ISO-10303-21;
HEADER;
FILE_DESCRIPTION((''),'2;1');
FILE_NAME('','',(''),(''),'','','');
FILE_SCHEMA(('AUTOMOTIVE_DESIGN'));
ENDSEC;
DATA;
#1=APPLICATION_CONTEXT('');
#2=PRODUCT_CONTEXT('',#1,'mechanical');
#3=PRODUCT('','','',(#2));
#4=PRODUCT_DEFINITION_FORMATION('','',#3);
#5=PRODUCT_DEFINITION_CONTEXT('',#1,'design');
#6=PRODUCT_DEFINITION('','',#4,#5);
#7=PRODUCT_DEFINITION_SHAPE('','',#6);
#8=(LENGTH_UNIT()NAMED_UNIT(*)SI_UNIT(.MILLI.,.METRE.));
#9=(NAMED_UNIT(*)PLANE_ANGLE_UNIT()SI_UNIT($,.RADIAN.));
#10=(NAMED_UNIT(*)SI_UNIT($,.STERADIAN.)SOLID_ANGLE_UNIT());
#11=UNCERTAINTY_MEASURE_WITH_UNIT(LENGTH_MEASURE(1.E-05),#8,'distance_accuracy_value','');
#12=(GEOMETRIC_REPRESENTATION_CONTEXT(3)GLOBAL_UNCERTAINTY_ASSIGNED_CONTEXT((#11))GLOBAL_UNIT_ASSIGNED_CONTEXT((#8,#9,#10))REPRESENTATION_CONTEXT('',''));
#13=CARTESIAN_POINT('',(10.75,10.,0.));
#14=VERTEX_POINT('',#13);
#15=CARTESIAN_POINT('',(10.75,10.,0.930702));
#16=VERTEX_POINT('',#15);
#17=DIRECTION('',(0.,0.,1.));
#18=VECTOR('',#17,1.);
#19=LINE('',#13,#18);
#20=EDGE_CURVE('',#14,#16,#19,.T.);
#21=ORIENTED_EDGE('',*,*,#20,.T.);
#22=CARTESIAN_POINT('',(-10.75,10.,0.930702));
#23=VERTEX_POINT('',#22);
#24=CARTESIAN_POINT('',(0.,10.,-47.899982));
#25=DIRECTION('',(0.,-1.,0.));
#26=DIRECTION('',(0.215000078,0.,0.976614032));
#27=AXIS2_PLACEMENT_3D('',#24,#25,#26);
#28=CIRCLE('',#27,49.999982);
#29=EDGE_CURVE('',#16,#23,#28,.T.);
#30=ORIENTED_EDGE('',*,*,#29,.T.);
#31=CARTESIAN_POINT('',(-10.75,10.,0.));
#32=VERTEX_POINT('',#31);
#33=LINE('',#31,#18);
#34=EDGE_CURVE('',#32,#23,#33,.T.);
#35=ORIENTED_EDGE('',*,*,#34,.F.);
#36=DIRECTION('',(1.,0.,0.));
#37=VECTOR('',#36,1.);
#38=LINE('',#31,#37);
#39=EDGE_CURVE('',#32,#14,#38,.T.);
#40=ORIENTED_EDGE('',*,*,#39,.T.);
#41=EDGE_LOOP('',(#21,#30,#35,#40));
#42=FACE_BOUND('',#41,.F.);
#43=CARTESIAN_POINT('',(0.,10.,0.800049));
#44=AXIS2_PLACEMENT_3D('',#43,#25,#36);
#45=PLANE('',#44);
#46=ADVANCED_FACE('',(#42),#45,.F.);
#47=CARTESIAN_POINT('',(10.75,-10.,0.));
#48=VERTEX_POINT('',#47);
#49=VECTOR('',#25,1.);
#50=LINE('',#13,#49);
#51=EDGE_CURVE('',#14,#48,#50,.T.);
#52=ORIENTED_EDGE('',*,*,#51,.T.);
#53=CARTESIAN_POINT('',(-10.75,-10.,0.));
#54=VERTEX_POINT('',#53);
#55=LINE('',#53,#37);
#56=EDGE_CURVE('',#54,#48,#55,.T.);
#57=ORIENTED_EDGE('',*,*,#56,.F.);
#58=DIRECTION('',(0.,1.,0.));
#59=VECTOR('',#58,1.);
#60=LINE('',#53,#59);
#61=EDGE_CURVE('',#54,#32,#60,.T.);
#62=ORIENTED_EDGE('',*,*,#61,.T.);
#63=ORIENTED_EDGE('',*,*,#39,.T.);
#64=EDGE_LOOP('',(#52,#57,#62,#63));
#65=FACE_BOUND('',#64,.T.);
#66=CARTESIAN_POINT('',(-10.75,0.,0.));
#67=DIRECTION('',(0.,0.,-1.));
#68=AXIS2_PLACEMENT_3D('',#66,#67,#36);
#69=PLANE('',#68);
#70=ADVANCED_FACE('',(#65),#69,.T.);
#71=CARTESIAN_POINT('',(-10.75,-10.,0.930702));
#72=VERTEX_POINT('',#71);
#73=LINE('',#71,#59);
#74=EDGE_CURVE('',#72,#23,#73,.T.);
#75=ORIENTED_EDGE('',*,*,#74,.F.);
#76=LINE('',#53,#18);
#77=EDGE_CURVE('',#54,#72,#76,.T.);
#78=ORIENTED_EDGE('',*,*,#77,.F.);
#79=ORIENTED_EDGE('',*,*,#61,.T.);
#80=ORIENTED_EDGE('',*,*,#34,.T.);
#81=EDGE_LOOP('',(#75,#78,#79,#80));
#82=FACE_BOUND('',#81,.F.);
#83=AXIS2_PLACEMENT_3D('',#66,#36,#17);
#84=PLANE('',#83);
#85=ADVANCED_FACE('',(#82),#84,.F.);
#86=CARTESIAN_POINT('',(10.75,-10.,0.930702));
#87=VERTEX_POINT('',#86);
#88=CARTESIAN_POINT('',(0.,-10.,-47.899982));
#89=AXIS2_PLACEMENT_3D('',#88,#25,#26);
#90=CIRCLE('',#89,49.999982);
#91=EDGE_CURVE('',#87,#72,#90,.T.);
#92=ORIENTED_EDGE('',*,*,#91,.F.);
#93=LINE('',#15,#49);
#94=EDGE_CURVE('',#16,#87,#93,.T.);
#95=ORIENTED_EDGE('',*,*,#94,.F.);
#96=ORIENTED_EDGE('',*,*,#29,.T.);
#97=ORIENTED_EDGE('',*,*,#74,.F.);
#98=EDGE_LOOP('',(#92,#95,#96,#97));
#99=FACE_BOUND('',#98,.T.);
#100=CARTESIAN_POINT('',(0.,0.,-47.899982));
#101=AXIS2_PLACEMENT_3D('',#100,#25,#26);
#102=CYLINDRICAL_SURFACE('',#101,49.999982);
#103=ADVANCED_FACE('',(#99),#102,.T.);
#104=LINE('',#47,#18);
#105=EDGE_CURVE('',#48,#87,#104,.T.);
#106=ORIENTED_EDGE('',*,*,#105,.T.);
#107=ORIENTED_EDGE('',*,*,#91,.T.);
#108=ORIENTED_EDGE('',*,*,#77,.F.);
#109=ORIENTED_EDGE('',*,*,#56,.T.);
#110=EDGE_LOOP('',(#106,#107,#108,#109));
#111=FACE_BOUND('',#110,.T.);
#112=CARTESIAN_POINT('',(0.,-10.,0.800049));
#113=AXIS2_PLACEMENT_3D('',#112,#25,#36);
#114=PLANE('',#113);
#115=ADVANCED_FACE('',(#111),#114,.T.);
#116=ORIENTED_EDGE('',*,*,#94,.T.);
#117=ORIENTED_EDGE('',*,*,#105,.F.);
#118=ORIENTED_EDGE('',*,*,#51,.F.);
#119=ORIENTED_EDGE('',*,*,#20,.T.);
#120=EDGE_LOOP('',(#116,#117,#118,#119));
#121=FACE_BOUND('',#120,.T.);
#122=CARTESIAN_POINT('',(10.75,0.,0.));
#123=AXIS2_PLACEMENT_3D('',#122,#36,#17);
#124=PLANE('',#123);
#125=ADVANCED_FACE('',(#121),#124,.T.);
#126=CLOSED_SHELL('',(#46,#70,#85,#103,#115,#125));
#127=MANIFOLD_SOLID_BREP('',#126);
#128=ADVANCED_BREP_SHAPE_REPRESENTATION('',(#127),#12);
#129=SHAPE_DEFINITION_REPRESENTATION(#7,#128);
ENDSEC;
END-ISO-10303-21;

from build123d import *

# Parameters (mm, degrees)
PAD_DEPTH = 10


with BuildPart() as part:
    # Sketch → Pad (new body, symmetric)
    with BuildSketch(Plane.XZ):
        with BuildLine():
            Line((-10.75, 0), (10.75, 0))
            Line((10.75, 0), (10.75, 0.930702))
            ThreePointArc((10.75, 0.930702), (0, 2.1), (-10.75, 0.930702))
            Line((-10.75, 0), (-10.75, 0.930702))
        make_face()
    extrude(amount=PAD_DEPTH, both=True)


solid = part.part
